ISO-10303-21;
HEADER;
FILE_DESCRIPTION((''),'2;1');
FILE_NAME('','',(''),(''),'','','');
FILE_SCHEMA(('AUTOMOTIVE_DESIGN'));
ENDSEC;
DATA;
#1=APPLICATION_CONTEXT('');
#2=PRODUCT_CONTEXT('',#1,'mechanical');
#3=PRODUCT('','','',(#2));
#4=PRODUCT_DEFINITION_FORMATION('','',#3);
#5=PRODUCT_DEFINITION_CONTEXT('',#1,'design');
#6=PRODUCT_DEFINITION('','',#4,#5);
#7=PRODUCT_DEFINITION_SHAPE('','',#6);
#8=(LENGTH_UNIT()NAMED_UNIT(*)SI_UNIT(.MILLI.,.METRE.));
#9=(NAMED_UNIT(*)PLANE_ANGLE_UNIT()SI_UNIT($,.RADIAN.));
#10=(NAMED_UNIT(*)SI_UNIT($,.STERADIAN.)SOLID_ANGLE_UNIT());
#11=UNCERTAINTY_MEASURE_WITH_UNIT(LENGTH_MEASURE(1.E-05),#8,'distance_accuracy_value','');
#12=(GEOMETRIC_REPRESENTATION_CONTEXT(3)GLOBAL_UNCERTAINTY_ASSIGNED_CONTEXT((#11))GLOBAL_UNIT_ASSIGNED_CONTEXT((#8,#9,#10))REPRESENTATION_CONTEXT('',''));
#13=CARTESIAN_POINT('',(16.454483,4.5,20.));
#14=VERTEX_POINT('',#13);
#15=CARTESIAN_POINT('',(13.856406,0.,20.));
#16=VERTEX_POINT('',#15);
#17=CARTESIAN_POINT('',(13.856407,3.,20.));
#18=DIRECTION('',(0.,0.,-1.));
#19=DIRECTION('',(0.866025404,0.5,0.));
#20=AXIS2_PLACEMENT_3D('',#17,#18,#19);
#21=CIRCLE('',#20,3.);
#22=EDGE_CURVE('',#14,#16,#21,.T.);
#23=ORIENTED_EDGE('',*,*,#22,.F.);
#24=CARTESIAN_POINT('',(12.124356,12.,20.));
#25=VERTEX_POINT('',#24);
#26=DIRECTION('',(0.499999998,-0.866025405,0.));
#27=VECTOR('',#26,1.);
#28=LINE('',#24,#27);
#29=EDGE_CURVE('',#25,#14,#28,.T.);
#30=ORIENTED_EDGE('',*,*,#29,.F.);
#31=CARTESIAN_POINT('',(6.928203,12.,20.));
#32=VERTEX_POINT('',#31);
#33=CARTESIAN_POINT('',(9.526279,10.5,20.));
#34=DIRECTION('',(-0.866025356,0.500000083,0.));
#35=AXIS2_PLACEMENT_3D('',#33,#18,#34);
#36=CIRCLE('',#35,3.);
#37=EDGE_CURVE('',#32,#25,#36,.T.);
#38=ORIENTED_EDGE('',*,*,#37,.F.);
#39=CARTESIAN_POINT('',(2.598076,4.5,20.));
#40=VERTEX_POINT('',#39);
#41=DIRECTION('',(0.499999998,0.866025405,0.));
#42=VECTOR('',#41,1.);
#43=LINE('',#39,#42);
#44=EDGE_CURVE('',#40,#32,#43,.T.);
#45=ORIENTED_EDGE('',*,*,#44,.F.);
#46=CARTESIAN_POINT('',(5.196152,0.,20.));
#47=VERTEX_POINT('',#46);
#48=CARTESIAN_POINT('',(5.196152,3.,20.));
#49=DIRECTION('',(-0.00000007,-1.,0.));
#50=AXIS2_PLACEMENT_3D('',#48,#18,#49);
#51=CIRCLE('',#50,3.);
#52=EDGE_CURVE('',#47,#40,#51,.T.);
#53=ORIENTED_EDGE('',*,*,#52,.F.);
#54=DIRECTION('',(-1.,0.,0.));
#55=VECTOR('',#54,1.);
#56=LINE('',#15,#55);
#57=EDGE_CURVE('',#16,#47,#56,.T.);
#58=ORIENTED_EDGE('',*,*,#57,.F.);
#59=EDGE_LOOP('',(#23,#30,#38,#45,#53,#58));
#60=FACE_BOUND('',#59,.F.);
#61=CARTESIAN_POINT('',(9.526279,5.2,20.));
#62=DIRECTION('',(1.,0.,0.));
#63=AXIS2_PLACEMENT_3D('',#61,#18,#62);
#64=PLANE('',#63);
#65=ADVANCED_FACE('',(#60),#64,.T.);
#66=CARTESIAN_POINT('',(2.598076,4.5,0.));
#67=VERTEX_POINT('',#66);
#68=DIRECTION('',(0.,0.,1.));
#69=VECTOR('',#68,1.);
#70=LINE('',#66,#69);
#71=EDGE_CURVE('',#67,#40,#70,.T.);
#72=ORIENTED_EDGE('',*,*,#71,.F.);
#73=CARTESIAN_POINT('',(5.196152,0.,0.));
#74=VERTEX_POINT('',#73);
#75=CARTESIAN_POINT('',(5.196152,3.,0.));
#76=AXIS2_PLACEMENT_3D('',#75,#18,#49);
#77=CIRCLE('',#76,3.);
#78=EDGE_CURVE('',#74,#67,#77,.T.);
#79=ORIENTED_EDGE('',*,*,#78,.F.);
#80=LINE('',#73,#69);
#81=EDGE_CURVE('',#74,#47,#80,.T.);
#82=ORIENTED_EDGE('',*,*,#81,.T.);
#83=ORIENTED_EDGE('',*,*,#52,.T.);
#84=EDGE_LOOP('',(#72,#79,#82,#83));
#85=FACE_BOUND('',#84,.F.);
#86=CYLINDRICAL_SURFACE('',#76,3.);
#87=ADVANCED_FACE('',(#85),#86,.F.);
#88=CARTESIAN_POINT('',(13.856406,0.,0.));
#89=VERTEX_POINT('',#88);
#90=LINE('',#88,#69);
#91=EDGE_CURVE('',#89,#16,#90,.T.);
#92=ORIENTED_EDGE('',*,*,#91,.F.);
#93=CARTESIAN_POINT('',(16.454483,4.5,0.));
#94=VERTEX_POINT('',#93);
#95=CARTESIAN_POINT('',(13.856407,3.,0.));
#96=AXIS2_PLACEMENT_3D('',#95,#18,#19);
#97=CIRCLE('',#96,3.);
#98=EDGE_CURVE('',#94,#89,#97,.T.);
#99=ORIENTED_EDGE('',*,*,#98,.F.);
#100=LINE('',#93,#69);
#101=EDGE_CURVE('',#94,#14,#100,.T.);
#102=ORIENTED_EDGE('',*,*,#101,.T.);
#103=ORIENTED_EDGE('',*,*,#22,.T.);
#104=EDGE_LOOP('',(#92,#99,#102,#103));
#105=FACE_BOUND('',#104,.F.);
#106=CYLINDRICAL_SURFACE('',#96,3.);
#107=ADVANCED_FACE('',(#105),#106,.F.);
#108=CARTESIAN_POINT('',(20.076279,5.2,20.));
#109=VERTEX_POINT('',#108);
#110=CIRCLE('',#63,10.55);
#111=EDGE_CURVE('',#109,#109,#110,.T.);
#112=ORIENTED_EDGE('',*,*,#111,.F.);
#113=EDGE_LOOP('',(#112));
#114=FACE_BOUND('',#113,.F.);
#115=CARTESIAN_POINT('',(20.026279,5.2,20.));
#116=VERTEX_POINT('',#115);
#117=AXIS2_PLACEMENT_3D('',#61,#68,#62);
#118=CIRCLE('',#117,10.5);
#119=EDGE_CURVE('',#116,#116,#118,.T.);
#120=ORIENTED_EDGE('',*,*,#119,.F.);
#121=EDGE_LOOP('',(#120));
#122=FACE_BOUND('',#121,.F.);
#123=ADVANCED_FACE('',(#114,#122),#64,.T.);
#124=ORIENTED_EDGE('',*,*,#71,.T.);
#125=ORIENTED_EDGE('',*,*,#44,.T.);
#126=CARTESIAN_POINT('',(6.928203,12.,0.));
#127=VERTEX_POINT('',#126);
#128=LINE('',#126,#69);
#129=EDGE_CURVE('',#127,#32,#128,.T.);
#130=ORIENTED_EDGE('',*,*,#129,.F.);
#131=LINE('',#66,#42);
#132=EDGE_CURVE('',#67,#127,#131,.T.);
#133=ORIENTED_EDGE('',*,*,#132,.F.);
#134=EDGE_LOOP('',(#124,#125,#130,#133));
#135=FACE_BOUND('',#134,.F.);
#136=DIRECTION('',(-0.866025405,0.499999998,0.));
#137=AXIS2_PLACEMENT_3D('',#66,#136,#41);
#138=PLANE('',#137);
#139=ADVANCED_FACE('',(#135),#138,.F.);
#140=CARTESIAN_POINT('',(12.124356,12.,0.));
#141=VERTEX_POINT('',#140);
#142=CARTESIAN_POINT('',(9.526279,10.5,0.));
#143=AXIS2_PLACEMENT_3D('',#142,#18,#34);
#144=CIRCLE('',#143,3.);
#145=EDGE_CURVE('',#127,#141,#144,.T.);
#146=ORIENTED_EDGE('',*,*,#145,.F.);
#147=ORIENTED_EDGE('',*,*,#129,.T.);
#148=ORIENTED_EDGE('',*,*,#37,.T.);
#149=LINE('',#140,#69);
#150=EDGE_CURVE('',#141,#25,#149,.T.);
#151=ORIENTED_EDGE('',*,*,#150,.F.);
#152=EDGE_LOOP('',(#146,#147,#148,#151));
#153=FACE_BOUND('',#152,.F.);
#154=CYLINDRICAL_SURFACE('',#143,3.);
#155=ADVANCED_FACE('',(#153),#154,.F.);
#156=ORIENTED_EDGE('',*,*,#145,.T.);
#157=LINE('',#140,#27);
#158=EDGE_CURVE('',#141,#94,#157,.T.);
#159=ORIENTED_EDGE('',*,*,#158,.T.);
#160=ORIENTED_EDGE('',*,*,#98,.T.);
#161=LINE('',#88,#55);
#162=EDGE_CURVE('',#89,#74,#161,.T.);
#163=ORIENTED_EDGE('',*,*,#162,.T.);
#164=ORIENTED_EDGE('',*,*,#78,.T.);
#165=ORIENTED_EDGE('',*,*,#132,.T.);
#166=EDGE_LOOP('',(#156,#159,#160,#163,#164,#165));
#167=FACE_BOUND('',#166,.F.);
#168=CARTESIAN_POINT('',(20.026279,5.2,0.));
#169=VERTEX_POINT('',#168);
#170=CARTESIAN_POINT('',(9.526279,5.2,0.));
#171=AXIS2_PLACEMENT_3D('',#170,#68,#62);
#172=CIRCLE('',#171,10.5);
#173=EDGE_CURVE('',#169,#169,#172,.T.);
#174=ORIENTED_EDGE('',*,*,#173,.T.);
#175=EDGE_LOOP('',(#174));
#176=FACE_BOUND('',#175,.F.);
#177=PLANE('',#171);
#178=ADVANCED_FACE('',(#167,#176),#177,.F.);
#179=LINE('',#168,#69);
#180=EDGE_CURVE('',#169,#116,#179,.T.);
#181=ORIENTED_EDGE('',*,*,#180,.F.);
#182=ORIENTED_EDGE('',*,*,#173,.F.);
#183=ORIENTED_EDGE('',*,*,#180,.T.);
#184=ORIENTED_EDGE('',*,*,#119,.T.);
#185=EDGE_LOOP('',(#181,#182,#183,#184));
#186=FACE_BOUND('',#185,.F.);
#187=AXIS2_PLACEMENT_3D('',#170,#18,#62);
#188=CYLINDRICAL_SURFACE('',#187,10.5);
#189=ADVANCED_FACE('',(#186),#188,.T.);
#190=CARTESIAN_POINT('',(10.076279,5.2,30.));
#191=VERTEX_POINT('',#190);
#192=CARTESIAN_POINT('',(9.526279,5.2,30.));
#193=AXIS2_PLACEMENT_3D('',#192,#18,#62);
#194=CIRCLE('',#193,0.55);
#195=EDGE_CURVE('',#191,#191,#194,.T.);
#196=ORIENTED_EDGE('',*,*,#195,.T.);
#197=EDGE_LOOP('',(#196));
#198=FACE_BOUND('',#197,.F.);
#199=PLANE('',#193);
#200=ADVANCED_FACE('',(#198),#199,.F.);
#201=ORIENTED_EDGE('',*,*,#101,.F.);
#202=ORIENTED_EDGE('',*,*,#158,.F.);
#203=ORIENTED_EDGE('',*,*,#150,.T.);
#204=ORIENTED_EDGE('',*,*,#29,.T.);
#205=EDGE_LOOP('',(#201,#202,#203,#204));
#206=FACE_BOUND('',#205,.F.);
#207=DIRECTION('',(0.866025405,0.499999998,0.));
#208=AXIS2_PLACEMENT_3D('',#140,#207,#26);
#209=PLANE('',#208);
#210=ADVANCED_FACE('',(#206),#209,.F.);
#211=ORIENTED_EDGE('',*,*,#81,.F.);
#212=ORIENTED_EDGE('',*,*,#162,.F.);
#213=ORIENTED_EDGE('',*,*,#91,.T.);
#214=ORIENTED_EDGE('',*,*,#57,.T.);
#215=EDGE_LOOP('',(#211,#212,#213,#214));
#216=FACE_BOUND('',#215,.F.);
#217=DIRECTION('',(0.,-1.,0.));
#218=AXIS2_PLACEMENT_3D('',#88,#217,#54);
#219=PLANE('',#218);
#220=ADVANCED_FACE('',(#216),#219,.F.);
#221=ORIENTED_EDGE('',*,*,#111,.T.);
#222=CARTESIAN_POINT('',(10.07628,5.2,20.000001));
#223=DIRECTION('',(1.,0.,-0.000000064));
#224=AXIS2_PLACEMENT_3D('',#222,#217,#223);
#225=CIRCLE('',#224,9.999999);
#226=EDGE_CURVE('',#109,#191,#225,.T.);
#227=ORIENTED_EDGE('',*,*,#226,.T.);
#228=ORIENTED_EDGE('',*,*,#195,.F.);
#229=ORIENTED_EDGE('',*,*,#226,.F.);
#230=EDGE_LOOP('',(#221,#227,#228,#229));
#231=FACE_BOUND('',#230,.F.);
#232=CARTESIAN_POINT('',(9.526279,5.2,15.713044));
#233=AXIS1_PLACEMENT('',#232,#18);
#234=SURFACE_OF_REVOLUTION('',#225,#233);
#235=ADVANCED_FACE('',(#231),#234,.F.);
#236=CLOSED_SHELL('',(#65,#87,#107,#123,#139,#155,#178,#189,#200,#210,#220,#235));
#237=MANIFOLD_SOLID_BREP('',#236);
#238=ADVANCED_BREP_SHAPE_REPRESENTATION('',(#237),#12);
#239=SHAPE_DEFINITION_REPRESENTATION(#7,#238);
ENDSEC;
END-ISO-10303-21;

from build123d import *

# Parameters (mm, degrees)
F0_R     = 10.5
F1_DEPTH = 20


with BuildPart() as f1:
    # F0 (on Top) → F1 (new body)
    with BuildSketch(Plane.XY):
        with Locations((9.526279, 5.2)):
            Circle(F0_R)
        with BuildLine():
            Line((13.856406, 0), (5.196152, 0))
            ThreePointArc((5.196152, 0), (2.598076, 1.5), (2.598076, 4.5))
            Line((2.598076, 4.5), (6.928203, 12))
            ThreePointArc((6.928203, 12), (9.526279, 13.5), (12.124356, 12))
            Line((12.124356, 12), (16.454483, 4.5))
            ThreePointArc((16.454483, 4.5), (16.454483, 1.5), (13.856406, 0))
        make_face(mode=Mode.SUBTRACT)
    extrude(amount=F1_DEPTH)

    # F3 (on offset) → F4 (revolve)
    with BuildSketch(Plane.XZ.offset(-5.2)):
        with BuildLine():
            Line((9.526279, 30), (9.526279, 20))
            Line((9.526279, 20), (20.076279, 20))
            ThreePointArc((20.076279, 20), (17.147347, 27.071068), (10.076279, 30))
            Line((10.076279, 30), (9.526279, 30))
        make_face()
    revolve(axis=Axis((9.526279, 5.2, 15.713044), (0, 0, -1)))


solid = f1.part
